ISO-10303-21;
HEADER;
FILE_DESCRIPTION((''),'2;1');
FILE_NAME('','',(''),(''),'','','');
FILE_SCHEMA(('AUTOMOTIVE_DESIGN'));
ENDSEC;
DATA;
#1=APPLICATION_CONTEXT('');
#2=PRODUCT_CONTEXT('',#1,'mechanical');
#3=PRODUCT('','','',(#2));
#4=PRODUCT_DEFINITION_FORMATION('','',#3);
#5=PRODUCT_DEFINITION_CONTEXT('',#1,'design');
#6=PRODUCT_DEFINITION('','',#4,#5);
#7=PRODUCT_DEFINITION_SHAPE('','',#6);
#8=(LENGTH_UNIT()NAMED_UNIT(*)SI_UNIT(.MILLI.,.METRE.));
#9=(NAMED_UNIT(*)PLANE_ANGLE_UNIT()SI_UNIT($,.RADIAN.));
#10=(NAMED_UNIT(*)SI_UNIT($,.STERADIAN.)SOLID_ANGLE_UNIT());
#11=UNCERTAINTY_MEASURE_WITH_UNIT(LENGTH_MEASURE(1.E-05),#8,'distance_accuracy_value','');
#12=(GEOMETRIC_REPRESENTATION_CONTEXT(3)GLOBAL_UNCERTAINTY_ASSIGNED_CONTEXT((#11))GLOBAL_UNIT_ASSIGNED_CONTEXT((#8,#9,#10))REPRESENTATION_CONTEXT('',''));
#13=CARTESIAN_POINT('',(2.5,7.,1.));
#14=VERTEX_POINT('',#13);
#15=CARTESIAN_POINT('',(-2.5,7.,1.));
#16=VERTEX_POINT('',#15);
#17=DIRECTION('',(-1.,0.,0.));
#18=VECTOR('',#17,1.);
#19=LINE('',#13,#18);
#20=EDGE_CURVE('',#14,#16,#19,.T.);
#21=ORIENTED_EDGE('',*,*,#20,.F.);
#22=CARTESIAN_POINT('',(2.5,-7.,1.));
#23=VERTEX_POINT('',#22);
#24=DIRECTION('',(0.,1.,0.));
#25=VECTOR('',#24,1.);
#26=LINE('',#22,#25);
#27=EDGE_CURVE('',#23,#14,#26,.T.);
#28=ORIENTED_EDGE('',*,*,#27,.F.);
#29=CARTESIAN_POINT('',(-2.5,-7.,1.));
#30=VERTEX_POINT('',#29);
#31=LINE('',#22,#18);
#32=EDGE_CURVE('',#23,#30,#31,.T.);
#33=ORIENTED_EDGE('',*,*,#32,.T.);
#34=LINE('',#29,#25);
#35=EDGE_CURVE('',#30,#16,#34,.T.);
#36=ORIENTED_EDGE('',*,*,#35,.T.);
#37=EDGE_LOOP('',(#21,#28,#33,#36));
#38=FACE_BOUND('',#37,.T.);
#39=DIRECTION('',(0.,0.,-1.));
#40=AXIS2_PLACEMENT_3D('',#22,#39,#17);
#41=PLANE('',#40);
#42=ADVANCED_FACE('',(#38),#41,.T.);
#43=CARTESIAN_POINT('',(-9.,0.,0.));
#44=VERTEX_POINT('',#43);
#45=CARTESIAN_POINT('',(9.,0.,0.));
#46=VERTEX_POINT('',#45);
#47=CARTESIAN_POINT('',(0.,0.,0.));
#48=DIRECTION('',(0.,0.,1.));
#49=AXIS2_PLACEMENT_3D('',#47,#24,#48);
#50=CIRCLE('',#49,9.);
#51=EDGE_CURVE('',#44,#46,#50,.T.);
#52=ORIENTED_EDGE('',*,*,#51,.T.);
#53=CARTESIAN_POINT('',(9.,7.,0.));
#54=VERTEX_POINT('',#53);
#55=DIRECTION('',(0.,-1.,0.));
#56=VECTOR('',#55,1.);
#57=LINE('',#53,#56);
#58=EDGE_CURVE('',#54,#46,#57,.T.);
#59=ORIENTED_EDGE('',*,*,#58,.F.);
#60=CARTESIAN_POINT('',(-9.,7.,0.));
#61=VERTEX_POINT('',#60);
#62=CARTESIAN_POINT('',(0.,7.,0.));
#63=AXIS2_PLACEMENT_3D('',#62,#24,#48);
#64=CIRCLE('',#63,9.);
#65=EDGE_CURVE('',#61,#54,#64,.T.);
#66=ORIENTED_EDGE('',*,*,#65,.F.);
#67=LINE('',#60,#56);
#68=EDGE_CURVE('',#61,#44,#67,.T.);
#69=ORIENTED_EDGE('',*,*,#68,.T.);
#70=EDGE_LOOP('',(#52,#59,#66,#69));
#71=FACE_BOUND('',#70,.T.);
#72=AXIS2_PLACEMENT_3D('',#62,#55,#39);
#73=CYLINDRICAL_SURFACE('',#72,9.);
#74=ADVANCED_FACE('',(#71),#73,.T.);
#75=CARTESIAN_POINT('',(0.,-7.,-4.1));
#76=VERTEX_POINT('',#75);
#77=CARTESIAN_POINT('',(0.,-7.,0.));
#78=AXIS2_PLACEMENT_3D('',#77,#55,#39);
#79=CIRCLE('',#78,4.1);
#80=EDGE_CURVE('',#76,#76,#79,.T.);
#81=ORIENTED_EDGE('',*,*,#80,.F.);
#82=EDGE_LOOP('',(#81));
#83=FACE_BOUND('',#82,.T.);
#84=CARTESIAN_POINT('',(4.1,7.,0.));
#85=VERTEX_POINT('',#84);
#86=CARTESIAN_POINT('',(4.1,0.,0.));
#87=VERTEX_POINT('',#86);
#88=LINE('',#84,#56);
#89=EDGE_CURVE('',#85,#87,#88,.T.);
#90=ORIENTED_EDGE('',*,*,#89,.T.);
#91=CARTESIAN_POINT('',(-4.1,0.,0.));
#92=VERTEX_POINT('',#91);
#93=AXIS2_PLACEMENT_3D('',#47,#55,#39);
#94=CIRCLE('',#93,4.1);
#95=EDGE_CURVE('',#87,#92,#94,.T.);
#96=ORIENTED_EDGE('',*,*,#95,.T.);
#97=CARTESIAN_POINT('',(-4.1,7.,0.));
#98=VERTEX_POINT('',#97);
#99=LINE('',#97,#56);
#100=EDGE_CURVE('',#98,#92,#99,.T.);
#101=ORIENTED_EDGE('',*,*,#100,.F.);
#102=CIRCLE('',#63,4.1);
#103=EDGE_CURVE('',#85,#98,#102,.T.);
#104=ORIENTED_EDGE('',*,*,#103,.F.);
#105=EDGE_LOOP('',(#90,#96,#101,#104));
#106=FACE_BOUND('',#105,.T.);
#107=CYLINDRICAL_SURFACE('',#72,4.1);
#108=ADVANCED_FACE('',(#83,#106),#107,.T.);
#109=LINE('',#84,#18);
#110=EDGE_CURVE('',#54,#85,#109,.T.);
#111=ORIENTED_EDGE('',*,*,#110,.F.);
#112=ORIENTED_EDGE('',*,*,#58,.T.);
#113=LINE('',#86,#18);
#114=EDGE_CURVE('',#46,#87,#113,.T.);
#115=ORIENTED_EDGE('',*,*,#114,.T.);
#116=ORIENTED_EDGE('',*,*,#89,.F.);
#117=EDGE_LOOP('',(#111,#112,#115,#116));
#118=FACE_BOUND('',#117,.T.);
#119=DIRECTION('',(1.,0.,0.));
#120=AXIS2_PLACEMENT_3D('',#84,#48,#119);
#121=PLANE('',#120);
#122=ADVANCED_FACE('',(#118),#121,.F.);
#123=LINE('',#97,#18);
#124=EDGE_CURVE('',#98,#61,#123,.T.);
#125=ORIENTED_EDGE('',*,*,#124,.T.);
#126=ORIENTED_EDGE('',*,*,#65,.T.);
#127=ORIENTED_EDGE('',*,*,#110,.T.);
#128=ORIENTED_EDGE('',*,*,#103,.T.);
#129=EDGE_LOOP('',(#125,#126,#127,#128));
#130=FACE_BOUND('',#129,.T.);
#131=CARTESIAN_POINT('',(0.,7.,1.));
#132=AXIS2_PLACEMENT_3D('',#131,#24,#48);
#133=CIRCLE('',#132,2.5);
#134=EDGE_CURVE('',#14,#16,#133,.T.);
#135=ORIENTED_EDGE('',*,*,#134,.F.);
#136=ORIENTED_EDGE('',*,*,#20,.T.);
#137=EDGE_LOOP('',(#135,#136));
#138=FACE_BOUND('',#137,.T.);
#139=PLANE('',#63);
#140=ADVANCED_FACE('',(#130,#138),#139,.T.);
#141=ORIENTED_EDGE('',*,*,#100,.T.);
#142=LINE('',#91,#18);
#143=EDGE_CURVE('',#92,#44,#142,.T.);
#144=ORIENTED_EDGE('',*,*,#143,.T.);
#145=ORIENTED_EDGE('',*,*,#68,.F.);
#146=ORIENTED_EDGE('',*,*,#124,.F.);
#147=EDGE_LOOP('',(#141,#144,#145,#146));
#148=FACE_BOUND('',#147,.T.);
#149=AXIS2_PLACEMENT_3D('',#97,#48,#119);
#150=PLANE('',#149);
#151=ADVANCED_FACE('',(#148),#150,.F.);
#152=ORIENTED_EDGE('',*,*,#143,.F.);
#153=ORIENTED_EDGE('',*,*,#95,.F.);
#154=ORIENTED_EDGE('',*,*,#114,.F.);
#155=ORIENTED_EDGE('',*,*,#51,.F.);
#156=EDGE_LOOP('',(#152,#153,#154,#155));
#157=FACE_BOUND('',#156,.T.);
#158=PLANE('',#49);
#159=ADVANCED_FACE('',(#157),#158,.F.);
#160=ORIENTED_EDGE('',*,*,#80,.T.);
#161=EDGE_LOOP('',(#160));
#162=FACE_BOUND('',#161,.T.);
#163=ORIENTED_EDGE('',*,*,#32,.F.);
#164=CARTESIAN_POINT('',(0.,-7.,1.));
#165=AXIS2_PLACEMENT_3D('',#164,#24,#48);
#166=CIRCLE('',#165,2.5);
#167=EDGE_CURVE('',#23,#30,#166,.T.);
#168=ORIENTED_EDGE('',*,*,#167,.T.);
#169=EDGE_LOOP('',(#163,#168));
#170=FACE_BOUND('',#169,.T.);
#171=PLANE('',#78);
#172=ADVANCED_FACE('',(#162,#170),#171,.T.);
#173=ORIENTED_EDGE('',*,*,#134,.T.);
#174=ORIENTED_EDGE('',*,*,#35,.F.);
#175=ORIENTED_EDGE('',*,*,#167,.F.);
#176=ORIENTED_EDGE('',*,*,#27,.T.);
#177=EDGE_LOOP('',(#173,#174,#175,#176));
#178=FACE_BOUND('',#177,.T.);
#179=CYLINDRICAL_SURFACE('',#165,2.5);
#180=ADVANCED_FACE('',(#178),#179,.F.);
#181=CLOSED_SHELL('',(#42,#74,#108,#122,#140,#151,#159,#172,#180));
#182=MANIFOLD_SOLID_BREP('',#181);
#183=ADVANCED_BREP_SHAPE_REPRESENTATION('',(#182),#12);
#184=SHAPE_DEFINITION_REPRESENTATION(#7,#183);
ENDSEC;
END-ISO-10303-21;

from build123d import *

# Parameters (mm, degrees)
BOSS_EXTRUDE1_DEPTH = 7
SKETCH2_R           = 4.1
BOSS_EXTRUDE2_DEPTH = 7
CUT_EXTRUDE1_DEPTH  = 15


with BuildPart() as part:
    # Sketch1 → Boss-Extrude1 (new body)
    with BuildSketch(Plane(origin=(0, 0, 0), x_dir=(1, 0, 0), z_dir=(0, 1, 0))):
        with BuildLine():
            Line((4.1, 0), (9, 0))
            ThreePointArc((9, 0), (0, -9), (-9, 0))
            Line((-9, 0), (-4.1, 0))
            ThreePointArc((-4.1, 0), (0, 4.1), (4.1, 0))
        make_face()
    extrude(amount=BOSS_EXTRUDE1_DEPTH)

    # Sketch2 → Boss-Extrude2 (add)
    with BuildSketch(Plane.XZ):
        Circle(SKETCH2_R)
    extrude(amount=BOSS_EXTRUDE2_DEPTH)

    # Sketch3 → Cut-Extrude1 (cut, through all)
    with BuildSketch(Plane(origin=(0, 7, 0), x_dir=(1, 0, 0), z_dir=(0, 1, 0))):
        with BuildLine():
            Line((2.5, -1), (-2.5, -1))
            ThreePointArc((-2.5, -1), (0, 1.5), (2.5, -1))
        make_face()
    extrude(amount=-CUT_EXTRUDE1_DEPTH, mode=Mode.SUBTRACT)


solid = part.part
